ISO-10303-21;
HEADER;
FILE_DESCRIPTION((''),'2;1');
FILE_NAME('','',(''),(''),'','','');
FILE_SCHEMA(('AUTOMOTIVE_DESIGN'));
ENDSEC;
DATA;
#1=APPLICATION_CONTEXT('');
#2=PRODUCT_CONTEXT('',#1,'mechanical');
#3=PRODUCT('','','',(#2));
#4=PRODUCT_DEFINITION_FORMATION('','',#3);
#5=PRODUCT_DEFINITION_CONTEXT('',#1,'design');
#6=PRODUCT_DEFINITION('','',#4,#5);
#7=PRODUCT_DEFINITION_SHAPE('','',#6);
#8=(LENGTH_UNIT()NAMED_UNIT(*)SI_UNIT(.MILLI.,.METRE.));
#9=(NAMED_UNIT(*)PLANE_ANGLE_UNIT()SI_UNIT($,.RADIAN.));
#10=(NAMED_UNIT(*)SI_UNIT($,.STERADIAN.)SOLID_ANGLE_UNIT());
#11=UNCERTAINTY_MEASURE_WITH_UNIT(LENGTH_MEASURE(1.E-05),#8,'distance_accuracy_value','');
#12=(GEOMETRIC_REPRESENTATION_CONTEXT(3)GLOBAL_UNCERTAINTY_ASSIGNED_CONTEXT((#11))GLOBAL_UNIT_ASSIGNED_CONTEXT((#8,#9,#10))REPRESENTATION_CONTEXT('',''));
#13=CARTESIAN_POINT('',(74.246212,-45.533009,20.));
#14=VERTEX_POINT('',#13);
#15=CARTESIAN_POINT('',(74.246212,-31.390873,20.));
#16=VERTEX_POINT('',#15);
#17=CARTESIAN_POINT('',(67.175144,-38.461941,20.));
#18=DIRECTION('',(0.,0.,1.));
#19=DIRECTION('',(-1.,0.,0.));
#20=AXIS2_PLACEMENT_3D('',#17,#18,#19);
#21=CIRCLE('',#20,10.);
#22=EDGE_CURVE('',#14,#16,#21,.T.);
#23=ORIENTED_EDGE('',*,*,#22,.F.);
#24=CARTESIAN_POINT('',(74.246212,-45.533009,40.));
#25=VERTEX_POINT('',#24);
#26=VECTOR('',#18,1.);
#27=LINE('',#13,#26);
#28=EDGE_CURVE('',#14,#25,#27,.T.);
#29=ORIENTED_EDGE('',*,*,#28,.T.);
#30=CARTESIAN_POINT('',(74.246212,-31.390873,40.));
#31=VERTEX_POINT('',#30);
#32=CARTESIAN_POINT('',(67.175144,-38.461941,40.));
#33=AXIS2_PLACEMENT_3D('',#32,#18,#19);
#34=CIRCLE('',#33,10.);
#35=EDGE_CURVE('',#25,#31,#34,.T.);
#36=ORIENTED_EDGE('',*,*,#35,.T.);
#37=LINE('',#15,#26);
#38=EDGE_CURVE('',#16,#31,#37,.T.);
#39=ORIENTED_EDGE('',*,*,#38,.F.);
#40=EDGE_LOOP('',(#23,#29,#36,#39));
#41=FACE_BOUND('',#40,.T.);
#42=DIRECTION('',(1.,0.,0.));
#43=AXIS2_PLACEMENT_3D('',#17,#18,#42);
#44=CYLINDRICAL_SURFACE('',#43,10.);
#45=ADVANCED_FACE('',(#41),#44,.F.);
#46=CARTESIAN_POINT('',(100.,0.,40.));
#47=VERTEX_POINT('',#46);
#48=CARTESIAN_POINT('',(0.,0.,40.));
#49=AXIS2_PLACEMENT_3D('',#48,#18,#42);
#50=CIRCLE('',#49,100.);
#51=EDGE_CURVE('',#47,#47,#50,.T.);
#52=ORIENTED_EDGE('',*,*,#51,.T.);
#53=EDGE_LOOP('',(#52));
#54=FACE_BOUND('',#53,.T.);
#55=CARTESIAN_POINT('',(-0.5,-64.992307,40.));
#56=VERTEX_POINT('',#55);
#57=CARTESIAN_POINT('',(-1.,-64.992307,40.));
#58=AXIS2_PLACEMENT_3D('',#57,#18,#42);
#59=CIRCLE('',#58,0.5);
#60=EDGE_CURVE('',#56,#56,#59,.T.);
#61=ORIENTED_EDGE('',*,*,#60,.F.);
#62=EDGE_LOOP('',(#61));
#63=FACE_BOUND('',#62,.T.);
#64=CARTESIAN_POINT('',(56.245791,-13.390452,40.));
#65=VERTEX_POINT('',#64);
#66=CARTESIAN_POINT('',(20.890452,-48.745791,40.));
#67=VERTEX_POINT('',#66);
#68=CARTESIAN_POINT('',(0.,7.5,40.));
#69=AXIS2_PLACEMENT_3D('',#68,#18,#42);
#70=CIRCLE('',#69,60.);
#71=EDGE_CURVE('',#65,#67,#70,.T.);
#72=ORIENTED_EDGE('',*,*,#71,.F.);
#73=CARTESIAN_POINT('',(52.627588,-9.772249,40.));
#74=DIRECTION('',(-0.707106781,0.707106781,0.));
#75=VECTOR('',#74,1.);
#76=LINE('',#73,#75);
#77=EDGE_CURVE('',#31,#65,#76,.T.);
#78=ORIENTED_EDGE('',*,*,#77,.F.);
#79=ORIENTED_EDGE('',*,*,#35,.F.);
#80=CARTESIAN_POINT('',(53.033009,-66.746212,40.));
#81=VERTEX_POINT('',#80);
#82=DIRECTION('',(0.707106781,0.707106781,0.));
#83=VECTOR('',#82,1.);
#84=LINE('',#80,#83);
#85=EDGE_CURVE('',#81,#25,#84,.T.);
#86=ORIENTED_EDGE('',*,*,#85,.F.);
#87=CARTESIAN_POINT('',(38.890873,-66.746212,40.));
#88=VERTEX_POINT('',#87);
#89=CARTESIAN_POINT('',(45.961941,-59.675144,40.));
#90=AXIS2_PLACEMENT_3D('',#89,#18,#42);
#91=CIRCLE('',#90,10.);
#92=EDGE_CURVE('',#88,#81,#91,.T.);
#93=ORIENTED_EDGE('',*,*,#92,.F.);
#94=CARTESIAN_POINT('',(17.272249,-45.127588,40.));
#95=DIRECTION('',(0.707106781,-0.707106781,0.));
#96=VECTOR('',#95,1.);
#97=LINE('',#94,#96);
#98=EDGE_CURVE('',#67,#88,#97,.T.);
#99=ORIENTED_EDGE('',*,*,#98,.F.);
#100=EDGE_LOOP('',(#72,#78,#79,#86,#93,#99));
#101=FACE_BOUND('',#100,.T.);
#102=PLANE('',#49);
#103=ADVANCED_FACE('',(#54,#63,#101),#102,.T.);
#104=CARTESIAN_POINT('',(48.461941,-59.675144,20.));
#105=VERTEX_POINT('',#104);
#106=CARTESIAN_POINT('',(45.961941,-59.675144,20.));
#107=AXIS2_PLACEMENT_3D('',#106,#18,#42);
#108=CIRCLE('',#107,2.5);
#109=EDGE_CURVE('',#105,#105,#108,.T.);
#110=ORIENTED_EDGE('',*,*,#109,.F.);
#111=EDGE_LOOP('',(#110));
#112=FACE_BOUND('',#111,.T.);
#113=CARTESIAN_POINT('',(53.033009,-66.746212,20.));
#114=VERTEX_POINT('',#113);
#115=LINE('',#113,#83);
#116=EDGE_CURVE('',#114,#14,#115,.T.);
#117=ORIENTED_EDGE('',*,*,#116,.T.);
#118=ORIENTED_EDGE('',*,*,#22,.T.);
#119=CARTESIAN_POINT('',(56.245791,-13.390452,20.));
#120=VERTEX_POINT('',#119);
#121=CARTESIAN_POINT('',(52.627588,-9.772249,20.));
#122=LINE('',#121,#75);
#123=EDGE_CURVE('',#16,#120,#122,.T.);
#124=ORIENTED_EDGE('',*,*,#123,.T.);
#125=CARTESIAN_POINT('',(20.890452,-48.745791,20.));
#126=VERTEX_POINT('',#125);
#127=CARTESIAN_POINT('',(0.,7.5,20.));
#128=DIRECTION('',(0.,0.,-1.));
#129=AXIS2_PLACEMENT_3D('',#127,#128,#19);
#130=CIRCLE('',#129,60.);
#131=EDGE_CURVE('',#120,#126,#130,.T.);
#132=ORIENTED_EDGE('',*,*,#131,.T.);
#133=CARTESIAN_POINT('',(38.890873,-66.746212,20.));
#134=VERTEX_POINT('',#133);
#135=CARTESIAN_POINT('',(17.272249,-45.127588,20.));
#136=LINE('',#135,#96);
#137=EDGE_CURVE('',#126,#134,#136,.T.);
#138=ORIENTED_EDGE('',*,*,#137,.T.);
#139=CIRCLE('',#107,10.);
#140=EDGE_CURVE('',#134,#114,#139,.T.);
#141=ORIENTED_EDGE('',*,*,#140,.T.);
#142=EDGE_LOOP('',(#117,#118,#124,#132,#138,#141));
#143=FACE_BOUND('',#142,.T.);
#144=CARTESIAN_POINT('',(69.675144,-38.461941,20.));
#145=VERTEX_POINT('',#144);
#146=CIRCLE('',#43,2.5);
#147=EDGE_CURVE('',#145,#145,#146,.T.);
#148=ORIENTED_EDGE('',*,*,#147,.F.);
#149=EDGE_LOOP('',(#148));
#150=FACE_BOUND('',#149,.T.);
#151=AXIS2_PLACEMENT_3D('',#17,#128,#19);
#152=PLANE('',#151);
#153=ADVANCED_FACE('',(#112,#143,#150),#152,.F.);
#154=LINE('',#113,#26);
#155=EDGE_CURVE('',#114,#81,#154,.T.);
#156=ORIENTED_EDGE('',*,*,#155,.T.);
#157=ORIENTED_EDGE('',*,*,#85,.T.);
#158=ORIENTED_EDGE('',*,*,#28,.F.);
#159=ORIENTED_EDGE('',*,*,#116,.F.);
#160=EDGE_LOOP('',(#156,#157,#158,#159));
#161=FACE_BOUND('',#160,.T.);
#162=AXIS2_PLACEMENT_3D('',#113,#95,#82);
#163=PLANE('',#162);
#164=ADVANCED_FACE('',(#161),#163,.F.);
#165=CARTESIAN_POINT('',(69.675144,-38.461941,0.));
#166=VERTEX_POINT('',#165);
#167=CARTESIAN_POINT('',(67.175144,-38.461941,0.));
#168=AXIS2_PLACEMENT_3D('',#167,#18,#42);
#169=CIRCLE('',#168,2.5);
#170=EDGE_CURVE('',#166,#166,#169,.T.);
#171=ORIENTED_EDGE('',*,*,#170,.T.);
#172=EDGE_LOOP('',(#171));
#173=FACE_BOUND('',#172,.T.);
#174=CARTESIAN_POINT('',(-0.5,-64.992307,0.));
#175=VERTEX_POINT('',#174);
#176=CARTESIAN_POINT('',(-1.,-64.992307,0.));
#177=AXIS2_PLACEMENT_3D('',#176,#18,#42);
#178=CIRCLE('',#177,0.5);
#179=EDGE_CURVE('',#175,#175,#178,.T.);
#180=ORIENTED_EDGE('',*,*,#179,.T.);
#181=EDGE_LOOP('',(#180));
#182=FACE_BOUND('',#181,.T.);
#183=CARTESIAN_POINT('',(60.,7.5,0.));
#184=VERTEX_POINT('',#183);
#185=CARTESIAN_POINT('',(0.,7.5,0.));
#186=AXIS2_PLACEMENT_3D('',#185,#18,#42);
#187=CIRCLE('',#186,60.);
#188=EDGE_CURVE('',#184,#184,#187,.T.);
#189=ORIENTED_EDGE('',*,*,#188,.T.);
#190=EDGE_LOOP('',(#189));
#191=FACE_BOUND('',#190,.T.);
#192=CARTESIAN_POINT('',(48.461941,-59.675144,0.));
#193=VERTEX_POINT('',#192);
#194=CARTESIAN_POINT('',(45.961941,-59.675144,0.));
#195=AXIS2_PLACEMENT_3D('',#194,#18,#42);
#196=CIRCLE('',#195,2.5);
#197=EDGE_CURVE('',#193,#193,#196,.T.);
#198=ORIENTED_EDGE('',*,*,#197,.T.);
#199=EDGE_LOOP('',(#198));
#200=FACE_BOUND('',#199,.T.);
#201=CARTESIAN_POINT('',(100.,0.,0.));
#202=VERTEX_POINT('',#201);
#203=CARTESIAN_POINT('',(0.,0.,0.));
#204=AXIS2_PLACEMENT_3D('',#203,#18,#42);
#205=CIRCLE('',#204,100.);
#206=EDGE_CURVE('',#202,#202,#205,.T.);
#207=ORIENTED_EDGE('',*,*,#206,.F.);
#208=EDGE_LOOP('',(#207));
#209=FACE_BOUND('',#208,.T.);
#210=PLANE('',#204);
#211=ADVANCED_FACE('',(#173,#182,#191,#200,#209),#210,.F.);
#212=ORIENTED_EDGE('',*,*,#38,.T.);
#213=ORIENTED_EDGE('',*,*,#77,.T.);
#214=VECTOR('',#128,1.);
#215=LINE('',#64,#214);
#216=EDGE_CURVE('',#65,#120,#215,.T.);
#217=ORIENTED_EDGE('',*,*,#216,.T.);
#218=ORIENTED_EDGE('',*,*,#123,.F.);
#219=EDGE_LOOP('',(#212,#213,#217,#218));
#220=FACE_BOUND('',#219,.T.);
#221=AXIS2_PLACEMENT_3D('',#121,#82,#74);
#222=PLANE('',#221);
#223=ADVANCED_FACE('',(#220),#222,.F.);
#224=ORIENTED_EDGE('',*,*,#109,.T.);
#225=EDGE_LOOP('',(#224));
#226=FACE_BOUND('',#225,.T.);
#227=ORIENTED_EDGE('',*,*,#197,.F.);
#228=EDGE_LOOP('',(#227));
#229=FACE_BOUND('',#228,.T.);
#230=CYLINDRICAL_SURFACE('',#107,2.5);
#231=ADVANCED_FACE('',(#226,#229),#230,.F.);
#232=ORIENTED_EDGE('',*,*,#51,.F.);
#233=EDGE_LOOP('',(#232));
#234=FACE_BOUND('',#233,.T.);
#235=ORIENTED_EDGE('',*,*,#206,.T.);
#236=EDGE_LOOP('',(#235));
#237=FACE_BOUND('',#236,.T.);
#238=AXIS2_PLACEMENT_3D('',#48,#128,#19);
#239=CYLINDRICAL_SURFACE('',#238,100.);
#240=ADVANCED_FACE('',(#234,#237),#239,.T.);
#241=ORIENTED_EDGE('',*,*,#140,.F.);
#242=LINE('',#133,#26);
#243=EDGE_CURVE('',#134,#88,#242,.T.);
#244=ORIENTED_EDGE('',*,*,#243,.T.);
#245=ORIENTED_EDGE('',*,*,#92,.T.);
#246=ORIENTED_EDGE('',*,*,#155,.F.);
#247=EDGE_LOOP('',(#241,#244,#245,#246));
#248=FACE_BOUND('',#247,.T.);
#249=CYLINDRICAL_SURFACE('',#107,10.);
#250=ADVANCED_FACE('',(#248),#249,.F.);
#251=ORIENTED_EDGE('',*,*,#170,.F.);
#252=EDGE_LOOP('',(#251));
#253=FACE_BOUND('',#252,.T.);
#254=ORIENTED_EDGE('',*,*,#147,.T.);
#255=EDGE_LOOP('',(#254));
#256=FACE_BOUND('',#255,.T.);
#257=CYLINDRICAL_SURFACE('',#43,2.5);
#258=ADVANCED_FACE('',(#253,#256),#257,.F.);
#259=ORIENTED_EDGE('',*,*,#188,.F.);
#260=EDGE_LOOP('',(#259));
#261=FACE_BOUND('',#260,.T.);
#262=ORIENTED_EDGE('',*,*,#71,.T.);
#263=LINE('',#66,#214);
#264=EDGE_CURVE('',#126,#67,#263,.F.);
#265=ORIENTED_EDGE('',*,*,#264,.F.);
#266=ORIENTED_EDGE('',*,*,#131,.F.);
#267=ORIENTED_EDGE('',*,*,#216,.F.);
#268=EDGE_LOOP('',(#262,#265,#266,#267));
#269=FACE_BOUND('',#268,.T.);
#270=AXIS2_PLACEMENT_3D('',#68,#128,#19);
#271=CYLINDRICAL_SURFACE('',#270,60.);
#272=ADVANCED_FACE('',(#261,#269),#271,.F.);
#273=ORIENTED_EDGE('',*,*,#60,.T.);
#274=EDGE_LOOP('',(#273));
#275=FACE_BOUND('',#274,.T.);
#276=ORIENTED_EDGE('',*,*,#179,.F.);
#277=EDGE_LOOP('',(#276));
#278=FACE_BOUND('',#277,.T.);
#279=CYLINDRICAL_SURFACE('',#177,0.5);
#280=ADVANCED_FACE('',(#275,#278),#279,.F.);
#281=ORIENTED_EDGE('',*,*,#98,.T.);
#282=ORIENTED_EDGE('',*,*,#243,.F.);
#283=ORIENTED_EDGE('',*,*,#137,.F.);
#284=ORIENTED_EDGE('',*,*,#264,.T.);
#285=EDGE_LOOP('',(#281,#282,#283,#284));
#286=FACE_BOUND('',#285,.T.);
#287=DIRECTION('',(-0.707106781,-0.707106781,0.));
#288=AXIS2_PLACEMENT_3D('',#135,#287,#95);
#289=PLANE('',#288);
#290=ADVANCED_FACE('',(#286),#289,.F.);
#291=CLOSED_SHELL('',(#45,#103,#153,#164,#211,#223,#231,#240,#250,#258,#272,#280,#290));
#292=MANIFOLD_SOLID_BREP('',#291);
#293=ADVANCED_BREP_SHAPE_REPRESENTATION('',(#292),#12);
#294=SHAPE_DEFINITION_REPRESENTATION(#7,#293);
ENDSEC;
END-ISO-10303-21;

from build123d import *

# Parameters (mm, degrees)
SKIZZE1_R                       = 100
SKIZZE1_R_2                     = 60
BASIS_LINEAR_AUSTRAGEN_DEPTH    = 40
SCHNITT_LINEAR_AUSTRAGEN1_DEPTH = 20
SKIZZE4_R                       = 0.5
SCHNITT_LINEAR_AUSTRAGEN3_DEPTH = 41
M6X1_0_GEWINDEKERNLOCH1_D       = 5


with BuildPart() as part:
    # Skizze1 → Basis-Linear austragen (new body)
    with BuildSketch(Plane.XY):
        Circle(SKIZZE1_R)
        with Locations((0, 7.5)):
            Circle(SKIZZE1_R_2, mode=Mode.SUBTRACT)
    extrude(amount=BASIS_LINEAR_AUSTRAGEN_DEPTH)

    # Skizze2 → Schnitt-Linear austragen1 (cut)
    with BuildSketch(Plane.XY.offset(40)):
        with BuildLine():
            Line((17.272249399, -45.127588459), (52.627588459, -9.772249399))
            Line((52.627588459, -9.772249399), (74.246212025, -31.390872965))
            ThreePointArc((74.246212025, -31.390872965), (77.175144213, -38.461940777), (74.246212025, -45.533008589))
            Line((74.246212025, -45.533008589), (53.033008589, -66.746212025))
            ThreePointArc((53.033008589, -66.746212025), (45.961940777, -69.675144213), (38.890872965, -66.746212025))
            Line((38.890872965, -66.746212025), (17.272249399, -45.127588459))
        make_face()
    extrude(amount=-SCHNITT_LINEAR_AUSTRAGEN1_DEPTH, mode=Mode.SUBTRACT)

    # Skizze4 → Schnitt-Linear austragen3 (cut, through all)
    with BuildSketch(Plane.XY.offset(40)):
        with Locations((-1, -64.992307237)):
            Circle(SKIZZE4_R)
    extrude(amount=-SCHNITT_LINEAR_AUSTRAGEN3_DEPTH, mode=Mode.SUBTRACT)

    # M6x1.0 Gewindekernloch1 (through all)
    with Locations(Plane.XY.offset(20)):
        with Locations((45.961940777, -59.675144213), (67.175144213, -38.461940777)):
            Hole(M6X1_0_GEWINDEKERNLOCH1_D / 2)


solid = part.part
